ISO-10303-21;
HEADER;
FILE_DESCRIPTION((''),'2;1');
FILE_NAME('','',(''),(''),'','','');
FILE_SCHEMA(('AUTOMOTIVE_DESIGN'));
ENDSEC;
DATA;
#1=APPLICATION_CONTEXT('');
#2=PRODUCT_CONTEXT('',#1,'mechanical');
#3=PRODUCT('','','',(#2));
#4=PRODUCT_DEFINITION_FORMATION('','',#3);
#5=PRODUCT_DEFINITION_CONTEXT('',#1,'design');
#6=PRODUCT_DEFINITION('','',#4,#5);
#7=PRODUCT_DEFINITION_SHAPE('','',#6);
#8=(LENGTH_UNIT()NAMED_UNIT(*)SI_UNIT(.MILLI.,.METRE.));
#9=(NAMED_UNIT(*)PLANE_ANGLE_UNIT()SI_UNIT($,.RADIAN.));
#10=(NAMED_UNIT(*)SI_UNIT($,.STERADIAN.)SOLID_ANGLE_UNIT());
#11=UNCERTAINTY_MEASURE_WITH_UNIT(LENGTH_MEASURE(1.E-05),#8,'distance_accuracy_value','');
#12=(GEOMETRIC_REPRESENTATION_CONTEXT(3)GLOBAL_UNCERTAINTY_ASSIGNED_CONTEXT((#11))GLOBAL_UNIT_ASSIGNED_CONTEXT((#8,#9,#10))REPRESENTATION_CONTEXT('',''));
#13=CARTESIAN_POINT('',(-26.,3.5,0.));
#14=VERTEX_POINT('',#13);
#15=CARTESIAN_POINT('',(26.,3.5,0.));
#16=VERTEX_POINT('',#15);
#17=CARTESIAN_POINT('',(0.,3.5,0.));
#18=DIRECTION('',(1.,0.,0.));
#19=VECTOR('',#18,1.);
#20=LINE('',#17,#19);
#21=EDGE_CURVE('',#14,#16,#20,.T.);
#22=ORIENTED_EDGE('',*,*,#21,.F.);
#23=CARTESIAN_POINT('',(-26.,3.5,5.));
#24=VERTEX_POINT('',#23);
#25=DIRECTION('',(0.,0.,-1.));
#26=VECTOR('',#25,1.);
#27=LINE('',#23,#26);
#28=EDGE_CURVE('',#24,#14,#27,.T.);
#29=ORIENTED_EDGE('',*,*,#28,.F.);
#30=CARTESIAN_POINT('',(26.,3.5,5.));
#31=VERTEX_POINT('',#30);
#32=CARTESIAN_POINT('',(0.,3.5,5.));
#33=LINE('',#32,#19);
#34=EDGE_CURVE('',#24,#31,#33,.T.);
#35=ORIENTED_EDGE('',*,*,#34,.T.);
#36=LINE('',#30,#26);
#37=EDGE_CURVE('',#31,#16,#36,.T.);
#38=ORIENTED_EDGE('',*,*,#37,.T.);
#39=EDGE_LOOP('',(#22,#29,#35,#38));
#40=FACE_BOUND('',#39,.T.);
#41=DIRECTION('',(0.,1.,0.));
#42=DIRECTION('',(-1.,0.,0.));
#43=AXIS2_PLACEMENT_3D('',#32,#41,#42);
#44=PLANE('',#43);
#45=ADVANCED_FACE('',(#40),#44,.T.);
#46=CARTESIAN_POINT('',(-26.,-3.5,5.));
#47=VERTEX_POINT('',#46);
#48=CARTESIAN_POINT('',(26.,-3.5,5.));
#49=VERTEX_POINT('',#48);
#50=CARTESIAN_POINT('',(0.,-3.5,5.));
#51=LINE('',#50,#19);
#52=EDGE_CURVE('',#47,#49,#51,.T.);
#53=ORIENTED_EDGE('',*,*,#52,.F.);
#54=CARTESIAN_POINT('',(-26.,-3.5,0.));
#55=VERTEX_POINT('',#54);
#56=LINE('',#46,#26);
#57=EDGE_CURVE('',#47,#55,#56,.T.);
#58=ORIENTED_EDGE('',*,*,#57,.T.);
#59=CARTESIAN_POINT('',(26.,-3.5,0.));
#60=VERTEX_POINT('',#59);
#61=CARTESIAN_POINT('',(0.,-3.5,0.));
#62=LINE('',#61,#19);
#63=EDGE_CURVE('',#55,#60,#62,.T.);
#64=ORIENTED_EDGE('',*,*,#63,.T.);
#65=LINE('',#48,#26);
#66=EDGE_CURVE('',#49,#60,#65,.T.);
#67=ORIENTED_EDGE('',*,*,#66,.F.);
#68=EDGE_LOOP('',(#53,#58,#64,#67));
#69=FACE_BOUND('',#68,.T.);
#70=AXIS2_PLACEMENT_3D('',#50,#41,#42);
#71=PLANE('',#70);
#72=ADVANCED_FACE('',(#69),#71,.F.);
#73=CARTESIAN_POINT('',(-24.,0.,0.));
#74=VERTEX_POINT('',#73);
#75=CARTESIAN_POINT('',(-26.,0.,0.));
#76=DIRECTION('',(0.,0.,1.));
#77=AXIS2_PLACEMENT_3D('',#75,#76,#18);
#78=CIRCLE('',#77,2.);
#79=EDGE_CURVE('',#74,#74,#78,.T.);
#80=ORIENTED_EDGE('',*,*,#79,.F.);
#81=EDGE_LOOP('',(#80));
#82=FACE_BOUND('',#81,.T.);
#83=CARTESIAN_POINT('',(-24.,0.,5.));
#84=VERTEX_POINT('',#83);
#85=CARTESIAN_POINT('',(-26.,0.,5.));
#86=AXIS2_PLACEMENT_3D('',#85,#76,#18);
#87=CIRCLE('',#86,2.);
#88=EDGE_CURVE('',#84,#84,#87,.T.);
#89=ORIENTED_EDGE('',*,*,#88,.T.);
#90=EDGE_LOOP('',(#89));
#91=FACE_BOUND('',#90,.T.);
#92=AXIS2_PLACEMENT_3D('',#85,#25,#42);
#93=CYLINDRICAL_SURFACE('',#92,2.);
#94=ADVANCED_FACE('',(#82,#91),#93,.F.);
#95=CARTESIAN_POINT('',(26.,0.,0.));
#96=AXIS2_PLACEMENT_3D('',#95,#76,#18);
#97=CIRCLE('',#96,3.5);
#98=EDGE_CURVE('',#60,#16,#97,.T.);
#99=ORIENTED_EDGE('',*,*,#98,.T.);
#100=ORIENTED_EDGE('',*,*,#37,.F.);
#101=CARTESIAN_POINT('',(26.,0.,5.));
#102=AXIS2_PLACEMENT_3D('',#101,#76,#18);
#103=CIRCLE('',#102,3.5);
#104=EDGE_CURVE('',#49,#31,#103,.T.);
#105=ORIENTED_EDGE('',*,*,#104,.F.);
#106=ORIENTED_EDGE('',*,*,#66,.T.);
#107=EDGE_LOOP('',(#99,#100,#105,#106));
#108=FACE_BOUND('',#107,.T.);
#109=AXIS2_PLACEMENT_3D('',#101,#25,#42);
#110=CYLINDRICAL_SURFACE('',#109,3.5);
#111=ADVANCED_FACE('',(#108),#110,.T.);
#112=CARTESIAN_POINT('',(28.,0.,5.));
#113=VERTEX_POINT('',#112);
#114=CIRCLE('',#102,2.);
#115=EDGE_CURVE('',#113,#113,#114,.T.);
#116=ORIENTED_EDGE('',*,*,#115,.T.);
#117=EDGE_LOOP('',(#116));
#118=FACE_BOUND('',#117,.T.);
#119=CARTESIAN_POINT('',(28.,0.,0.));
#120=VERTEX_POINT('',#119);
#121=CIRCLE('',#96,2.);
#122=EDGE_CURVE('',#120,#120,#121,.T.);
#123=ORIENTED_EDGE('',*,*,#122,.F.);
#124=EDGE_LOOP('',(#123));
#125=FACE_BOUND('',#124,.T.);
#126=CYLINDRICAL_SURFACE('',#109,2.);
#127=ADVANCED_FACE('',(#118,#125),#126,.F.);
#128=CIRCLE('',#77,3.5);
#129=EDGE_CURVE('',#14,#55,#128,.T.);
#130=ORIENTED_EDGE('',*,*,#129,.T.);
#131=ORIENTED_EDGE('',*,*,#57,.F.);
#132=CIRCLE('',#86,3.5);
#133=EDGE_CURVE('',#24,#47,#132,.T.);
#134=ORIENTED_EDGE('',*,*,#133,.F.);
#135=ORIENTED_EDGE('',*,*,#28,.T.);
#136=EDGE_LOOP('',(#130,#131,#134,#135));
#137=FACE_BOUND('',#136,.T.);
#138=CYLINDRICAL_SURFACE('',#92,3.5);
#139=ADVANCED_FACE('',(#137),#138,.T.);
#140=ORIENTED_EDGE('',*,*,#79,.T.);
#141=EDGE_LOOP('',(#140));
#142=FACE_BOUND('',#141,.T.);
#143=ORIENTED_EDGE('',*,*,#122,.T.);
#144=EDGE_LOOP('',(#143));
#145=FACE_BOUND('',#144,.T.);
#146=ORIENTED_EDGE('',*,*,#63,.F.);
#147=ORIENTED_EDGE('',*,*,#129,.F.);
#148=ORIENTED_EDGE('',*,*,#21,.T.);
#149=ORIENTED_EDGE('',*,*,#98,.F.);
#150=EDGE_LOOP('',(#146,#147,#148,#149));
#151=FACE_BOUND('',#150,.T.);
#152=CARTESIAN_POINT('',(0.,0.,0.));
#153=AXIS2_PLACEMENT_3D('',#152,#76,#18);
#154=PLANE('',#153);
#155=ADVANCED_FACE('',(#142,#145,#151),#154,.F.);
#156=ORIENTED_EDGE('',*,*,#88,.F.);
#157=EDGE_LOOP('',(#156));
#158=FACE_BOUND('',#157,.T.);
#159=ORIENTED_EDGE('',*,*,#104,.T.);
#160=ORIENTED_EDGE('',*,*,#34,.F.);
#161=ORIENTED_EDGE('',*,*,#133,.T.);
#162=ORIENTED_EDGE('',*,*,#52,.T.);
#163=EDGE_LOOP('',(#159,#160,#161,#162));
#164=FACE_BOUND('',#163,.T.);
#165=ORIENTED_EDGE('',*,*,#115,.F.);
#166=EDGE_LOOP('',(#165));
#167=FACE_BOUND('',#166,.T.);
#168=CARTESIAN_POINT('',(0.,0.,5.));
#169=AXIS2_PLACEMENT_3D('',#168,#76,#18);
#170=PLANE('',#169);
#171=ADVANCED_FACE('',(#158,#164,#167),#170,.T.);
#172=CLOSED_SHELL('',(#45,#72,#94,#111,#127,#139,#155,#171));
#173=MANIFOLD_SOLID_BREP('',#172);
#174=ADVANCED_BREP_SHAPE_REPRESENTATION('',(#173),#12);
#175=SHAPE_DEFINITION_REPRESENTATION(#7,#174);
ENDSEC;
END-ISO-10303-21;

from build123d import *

# Parameters (mm, degrees)
SKETCH1_R           = 2
BOSS_EXTRUDE1_DEPTH = 5


with BuildPart() as part:
    # Sketch1 → Boss-Extrude1 (new body)
    with BuildSketch(Plane.XY):
        with BuildLine():
            Line((-26, -3.5), (26, -3.5))
            ThreePointArc((26, -3.5), (29.5, 0), (26, 3.5))
            Line((26, 3.5), (-26, 3.5))
            ThreePointArc((-26, 3.5), (-29.5, 0), (-26, -3.5))
        make_face()
        with Locations((26, 0)):
            Circle(SKETCH1_R, mode=Mode.SUBTRACT)
        with Locations((-26, 0)):
            Circle(SKETCH1_R, mode=Mode.SUBTRACT)
    extrude(amount=BOSS_EXTRUDE1_DEPTH)


solid = part.part
